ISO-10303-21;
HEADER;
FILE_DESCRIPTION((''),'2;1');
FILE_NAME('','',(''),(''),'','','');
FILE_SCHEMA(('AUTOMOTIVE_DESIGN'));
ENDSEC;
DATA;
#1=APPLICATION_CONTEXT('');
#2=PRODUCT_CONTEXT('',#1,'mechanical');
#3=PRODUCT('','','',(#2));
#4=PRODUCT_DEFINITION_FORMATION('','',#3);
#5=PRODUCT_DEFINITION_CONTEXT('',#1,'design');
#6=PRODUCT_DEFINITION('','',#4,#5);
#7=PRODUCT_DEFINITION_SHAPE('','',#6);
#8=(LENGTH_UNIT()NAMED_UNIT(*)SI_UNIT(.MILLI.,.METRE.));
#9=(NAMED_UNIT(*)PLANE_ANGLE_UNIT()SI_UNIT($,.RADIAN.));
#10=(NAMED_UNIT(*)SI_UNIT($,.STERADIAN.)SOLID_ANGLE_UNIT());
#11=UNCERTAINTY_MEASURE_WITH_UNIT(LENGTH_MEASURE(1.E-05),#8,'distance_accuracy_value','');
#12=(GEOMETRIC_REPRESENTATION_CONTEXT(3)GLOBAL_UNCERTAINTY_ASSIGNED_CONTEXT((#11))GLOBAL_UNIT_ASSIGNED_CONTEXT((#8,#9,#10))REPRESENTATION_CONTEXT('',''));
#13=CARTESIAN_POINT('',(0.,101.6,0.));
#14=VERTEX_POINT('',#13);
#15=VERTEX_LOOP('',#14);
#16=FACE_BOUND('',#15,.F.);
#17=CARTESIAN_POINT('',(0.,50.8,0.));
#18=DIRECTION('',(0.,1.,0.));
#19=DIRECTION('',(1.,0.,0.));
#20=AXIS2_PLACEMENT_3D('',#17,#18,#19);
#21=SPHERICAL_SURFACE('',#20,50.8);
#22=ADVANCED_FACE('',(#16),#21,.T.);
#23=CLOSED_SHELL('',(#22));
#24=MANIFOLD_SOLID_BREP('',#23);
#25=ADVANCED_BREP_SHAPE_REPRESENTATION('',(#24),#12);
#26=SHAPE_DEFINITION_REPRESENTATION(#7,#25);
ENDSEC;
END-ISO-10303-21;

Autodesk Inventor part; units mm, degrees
ref_plane "YZ Plane" through (0, 0, 0) normal (1, 0, 0) x (0, 1, 0)
ref_plane "XZ Plane" through (0, 0, 0) normal (0, 1, 0) x (-1, 0, 0)
ref_plane "XY Plane" through (0, 0, 0) normal (0, 0, 1) x (1, 0, 0)
sketch "Sketch1" plane through (0, 0, 0) normal (0, 0, 1) x (1, 0, 0)
  arc A0 (0, 0) -> (0, 101.6) centre (0, 50.8) ccw
  line L0 (0, 101.6) -> (0, 0)
  dimension "d0" = 101.6
  dimension "d1" = 50.8
revolve "Revolution1" add sketch "Sketch1" angle 360 about axis through (0, 101.6, 0) along (0, -1, 0)
properties part number "Sphere"
